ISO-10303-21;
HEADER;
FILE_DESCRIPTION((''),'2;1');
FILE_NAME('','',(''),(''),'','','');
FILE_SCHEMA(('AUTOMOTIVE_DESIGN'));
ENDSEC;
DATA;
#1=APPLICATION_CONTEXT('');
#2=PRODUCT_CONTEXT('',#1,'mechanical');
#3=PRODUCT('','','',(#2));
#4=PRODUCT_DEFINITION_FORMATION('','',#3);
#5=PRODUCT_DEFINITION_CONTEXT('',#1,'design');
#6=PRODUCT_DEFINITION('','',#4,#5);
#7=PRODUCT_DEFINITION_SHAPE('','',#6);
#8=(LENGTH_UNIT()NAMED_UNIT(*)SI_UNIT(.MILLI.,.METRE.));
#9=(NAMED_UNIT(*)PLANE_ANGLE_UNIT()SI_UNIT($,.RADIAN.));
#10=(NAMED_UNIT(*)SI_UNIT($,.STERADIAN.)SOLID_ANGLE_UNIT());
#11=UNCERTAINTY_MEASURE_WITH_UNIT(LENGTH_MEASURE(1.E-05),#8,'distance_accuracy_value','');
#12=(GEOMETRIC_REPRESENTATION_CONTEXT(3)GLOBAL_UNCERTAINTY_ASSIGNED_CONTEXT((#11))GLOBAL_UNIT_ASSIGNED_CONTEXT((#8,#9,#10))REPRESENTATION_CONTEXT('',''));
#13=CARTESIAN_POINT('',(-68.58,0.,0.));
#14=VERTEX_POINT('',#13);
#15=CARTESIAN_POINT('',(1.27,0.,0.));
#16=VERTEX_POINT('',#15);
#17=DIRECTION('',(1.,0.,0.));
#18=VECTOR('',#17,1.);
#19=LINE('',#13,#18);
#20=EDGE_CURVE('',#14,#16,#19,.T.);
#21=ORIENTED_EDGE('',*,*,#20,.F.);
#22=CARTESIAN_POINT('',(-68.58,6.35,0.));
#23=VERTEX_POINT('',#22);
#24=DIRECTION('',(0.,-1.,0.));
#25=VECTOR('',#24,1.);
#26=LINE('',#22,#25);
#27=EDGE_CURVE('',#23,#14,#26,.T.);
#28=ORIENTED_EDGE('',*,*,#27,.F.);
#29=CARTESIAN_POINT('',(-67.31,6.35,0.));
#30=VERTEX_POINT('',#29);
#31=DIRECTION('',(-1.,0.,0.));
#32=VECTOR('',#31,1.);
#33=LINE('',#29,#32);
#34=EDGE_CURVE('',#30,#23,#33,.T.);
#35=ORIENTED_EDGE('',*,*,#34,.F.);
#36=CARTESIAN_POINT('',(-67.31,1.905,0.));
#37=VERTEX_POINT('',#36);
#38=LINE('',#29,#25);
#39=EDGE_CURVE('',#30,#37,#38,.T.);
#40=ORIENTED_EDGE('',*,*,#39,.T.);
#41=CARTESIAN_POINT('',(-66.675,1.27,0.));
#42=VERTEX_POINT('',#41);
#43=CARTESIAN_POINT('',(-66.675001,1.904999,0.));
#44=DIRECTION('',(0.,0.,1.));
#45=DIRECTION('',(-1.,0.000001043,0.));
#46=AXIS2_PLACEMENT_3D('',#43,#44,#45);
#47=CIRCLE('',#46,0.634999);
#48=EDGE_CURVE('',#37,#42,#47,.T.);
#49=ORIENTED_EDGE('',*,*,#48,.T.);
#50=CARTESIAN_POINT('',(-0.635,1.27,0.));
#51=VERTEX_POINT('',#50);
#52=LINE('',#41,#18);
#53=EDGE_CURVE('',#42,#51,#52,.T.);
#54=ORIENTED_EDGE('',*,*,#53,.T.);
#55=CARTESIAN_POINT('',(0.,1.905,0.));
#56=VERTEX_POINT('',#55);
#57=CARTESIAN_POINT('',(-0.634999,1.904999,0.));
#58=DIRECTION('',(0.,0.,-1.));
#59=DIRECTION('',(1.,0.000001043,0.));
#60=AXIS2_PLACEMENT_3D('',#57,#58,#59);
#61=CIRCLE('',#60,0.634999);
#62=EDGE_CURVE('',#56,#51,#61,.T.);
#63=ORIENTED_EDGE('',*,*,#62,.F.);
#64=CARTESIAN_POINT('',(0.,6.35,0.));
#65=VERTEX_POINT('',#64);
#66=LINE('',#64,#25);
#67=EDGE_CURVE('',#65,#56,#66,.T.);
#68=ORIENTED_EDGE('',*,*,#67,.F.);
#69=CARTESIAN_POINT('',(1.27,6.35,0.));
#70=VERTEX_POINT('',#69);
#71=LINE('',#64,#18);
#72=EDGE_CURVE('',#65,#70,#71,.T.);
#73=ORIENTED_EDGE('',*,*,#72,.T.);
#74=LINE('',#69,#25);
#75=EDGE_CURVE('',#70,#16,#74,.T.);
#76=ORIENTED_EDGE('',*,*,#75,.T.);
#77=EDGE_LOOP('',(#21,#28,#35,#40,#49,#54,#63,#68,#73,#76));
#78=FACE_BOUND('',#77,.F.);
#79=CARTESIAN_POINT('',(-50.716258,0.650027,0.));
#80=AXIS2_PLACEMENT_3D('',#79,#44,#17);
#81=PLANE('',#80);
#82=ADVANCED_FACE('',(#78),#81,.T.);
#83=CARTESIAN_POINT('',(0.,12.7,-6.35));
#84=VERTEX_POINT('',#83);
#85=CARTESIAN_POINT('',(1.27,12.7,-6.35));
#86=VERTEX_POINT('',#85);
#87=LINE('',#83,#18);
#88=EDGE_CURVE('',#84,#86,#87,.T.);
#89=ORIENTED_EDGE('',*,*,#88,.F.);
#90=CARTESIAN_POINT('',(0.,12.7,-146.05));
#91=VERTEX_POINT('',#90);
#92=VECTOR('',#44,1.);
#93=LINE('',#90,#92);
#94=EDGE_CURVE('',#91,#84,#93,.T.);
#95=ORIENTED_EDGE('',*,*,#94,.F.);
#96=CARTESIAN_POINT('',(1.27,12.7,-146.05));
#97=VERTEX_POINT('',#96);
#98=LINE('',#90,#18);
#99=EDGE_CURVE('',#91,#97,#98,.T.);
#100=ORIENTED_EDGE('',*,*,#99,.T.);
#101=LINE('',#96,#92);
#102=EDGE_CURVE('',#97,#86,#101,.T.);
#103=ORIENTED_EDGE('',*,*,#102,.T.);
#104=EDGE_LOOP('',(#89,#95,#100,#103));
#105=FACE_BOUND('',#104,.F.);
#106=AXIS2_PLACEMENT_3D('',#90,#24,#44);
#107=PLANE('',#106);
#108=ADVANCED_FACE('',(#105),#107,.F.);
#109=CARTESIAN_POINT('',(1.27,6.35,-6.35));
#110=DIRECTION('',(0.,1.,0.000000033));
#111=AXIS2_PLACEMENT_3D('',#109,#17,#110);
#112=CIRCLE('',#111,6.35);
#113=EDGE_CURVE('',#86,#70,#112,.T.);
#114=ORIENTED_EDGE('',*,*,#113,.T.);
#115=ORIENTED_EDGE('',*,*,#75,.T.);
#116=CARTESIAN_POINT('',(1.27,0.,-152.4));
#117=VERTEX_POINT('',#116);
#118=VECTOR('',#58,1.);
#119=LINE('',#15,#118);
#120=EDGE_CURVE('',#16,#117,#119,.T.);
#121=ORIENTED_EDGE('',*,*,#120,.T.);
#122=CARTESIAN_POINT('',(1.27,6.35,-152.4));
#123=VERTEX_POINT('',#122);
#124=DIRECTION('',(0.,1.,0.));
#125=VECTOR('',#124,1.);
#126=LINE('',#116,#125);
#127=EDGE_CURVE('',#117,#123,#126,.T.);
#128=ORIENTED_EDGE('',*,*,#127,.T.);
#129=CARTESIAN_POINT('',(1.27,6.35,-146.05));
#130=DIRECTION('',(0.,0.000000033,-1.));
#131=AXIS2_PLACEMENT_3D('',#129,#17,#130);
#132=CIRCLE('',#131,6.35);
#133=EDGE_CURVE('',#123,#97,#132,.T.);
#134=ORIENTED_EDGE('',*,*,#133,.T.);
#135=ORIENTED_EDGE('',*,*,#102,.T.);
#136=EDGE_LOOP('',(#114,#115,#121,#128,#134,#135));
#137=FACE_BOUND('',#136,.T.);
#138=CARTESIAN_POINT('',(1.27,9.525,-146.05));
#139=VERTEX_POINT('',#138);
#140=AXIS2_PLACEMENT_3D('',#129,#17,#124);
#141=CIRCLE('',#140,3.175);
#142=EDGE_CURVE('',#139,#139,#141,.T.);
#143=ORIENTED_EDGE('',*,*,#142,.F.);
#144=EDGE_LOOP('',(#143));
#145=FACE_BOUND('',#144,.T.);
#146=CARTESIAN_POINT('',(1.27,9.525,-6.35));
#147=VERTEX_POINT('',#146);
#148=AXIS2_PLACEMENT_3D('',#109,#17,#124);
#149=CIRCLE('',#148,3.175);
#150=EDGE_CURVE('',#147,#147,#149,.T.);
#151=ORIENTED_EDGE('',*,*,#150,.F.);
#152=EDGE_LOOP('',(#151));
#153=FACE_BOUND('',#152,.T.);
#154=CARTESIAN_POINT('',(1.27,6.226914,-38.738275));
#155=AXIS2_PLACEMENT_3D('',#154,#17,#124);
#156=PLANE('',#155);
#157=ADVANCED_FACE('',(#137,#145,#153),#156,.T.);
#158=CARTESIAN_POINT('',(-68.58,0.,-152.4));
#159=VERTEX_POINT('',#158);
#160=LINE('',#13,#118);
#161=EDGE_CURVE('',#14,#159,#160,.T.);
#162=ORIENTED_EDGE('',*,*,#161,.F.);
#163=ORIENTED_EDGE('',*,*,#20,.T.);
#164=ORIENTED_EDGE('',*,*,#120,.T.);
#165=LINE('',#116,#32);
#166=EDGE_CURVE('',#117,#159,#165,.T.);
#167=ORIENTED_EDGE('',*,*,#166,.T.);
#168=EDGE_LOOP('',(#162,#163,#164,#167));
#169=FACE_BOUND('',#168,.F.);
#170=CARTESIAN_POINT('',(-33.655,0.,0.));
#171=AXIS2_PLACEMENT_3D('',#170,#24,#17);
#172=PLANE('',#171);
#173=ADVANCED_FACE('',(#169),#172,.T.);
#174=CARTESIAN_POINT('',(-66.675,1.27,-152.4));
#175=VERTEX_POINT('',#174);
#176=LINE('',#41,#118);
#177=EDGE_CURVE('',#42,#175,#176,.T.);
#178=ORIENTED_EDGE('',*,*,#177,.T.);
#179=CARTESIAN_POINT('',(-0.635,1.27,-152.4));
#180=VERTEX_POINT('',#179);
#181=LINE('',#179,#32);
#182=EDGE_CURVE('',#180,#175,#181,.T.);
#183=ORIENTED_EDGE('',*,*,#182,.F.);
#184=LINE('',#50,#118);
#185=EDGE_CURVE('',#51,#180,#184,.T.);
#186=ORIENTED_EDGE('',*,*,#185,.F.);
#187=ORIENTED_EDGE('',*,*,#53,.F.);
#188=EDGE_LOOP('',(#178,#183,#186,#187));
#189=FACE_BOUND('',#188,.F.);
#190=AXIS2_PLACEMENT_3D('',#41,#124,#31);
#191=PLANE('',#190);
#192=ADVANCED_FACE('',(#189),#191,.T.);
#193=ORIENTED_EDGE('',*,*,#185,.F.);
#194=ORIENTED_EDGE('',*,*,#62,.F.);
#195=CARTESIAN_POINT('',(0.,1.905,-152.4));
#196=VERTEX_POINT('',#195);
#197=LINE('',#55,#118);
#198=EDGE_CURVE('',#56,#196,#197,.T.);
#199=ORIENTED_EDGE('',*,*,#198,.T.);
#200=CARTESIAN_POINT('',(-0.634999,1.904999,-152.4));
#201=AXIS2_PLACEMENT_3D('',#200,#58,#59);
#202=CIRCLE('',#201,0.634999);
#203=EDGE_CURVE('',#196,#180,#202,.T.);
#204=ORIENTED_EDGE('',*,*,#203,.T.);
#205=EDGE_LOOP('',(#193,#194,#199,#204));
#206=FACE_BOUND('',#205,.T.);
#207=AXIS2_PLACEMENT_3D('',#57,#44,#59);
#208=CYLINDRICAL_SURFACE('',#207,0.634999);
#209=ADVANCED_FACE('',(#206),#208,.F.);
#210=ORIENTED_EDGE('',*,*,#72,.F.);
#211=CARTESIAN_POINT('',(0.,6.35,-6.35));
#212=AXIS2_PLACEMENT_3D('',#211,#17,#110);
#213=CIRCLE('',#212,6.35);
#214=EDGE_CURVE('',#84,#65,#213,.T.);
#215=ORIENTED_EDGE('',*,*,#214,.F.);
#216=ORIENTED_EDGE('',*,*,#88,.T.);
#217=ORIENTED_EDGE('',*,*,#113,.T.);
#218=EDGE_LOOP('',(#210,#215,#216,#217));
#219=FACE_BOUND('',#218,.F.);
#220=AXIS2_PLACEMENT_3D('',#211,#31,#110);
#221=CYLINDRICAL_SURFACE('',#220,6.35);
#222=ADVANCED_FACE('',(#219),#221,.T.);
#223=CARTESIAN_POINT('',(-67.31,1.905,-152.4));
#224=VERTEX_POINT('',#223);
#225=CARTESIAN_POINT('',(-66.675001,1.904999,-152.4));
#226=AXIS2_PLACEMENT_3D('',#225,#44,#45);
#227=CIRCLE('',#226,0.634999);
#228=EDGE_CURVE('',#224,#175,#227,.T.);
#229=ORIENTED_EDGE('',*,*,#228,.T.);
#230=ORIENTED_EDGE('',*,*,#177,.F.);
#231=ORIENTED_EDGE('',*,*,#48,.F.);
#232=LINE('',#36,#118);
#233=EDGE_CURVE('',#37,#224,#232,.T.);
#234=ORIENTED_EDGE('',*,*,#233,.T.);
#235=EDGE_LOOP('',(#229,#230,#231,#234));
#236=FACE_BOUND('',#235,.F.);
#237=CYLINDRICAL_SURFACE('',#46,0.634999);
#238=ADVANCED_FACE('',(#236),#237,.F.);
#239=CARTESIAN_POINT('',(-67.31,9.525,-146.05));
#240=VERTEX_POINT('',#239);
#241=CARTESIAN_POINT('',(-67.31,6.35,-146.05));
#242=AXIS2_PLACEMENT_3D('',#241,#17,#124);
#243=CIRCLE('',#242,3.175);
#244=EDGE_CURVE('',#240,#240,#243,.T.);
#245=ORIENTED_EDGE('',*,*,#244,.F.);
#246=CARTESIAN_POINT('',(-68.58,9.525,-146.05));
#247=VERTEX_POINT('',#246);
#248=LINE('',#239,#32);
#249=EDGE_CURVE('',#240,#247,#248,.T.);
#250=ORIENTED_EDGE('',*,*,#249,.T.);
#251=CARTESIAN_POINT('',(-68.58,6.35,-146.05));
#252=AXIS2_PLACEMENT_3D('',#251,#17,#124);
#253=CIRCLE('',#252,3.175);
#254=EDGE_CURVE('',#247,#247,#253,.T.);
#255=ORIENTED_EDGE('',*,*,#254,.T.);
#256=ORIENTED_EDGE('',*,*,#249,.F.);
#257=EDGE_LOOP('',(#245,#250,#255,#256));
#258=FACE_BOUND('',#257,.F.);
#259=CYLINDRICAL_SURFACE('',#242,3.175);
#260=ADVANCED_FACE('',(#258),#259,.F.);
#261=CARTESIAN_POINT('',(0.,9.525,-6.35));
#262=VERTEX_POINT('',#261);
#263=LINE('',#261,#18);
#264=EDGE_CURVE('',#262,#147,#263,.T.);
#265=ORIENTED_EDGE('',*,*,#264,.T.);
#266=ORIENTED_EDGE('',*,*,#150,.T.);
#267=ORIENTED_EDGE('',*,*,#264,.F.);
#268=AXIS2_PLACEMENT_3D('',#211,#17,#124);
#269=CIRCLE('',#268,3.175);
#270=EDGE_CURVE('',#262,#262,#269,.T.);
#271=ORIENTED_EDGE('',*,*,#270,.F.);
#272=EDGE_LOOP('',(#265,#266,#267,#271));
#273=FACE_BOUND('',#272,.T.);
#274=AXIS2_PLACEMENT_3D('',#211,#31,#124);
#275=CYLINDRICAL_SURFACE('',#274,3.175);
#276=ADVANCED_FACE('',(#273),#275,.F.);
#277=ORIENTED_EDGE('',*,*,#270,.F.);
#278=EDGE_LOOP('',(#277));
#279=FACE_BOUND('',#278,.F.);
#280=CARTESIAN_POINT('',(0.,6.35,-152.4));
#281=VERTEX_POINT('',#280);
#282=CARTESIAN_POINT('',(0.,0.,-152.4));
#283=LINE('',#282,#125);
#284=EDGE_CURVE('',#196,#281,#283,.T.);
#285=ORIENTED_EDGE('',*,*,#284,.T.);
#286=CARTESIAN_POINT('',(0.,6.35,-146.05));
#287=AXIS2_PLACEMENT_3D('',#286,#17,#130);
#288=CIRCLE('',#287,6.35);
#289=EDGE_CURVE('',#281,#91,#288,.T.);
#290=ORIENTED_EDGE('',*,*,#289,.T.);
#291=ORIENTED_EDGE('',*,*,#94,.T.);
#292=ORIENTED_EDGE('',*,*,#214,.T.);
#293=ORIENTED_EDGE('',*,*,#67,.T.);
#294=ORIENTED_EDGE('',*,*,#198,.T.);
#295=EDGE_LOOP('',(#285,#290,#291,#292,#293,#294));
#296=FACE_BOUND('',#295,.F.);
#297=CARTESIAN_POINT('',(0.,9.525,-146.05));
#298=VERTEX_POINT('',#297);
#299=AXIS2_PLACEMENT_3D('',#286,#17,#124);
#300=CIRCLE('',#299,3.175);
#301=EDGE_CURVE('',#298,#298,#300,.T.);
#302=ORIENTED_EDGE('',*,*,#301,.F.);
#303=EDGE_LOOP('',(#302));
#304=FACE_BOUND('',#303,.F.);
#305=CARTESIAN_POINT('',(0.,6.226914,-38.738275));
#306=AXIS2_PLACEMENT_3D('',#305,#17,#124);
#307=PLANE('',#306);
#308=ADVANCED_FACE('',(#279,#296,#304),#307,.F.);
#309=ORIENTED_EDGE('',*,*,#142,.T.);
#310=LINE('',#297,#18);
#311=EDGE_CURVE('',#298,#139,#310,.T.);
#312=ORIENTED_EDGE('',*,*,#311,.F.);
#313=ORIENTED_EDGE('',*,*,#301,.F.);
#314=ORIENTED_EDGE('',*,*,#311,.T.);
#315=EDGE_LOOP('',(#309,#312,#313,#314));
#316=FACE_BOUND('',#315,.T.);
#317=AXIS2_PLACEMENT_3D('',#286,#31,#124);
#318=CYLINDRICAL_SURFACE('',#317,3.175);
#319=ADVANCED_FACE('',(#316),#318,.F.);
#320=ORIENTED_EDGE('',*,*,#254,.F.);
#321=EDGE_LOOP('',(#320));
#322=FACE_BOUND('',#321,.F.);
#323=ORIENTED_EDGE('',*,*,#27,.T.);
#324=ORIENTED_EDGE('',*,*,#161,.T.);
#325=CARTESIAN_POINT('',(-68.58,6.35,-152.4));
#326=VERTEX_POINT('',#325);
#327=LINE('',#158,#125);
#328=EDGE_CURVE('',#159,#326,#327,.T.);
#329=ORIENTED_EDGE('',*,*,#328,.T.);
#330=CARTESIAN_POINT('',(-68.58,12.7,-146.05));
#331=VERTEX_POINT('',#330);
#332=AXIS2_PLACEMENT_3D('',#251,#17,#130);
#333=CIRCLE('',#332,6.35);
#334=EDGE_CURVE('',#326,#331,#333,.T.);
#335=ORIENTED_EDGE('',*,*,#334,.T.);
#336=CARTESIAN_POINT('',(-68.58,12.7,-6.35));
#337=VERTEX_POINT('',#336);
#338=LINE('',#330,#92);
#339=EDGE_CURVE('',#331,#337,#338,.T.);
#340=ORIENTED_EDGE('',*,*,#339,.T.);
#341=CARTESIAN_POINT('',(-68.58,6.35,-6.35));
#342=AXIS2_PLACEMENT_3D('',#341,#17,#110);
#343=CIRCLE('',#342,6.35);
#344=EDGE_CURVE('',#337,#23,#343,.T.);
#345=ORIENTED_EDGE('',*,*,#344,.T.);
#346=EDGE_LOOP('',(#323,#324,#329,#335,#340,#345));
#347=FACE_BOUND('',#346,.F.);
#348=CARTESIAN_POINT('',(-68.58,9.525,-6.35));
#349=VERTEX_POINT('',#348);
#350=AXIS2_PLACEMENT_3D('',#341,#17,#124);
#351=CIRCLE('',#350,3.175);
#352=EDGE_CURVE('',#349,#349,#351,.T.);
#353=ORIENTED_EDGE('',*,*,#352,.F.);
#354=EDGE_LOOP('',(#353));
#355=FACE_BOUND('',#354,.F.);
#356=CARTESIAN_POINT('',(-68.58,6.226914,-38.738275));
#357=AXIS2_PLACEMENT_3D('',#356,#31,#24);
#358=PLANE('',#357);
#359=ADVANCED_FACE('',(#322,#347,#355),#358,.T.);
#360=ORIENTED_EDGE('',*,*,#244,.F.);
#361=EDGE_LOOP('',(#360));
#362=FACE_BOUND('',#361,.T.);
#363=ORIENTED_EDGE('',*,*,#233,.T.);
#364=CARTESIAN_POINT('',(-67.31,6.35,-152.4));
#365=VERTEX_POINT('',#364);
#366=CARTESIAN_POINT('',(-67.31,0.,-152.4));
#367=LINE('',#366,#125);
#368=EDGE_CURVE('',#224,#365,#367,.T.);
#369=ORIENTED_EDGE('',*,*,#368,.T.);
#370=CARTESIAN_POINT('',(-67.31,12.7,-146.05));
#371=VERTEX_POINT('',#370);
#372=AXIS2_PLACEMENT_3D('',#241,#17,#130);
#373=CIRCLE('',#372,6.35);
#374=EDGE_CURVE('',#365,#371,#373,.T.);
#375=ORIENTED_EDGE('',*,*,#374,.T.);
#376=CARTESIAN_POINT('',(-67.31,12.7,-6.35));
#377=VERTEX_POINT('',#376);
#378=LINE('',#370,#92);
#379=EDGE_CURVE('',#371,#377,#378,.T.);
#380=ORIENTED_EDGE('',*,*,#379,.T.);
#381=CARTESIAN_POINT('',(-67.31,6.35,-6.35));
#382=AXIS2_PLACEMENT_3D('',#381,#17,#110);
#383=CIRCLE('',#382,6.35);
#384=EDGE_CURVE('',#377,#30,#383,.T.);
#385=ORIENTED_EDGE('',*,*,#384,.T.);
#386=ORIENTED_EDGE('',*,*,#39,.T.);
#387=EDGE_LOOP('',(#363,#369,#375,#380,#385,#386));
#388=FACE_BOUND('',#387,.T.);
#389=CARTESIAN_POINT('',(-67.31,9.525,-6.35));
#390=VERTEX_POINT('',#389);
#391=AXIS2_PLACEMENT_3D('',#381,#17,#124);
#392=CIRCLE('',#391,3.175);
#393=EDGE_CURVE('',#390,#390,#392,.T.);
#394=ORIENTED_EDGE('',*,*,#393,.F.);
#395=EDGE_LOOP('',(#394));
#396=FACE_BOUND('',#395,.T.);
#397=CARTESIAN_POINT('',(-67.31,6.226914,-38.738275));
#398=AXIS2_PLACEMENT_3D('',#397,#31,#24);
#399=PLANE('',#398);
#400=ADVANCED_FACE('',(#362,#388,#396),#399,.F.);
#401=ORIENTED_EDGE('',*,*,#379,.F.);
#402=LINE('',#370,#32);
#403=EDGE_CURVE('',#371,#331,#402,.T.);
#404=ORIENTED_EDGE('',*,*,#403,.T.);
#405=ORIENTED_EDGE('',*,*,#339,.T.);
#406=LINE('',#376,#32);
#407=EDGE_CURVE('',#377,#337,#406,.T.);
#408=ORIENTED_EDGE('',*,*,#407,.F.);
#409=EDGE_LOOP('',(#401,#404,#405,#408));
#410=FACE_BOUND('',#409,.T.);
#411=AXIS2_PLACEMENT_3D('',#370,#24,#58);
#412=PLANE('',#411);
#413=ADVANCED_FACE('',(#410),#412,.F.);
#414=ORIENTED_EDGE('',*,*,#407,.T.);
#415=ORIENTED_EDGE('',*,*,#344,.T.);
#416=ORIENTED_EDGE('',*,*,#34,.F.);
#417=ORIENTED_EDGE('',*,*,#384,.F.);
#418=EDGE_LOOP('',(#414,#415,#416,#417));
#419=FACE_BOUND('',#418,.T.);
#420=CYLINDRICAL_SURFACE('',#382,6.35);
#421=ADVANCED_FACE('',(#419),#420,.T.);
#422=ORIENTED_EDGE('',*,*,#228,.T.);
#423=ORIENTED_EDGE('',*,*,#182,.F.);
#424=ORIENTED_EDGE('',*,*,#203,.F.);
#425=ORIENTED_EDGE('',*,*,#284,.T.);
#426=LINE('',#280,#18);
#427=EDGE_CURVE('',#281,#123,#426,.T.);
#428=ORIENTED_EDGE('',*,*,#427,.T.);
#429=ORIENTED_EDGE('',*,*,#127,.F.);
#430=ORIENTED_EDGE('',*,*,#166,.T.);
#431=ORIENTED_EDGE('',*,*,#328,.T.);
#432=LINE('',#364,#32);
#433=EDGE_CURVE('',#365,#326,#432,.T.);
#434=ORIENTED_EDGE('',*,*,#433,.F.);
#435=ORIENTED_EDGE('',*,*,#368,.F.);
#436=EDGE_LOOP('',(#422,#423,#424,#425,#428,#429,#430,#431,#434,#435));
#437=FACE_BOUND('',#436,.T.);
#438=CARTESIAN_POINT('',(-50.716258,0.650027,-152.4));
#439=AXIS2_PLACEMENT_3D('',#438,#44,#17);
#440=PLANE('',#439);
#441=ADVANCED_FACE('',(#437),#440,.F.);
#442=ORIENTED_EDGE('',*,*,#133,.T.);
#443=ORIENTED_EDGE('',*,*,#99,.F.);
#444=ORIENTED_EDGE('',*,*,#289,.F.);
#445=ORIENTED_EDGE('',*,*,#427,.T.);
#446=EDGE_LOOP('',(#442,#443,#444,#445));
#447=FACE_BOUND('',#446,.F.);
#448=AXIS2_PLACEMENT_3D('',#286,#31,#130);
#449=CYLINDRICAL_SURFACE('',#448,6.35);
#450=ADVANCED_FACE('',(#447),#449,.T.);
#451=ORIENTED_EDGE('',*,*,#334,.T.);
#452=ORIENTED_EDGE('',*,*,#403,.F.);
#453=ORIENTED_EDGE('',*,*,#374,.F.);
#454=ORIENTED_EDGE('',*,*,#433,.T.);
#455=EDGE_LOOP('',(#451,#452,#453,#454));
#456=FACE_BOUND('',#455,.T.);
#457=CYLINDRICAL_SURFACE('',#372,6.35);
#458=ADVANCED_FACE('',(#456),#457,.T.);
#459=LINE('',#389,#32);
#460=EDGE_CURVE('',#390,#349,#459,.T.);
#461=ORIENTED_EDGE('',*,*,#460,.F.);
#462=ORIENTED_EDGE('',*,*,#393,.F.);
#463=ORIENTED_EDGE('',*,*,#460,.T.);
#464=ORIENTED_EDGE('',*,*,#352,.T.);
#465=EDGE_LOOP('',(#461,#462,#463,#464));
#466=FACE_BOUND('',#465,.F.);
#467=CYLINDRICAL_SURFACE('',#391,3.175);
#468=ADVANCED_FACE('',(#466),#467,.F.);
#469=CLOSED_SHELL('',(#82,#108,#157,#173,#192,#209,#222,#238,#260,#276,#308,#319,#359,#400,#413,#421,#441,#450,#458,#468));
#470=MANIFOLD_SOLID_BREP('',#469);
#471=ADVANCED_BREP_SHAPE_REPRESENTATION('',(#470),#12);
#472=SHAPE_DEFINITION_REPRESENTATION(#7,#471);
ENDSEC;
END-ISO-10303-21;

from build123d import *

# Parameters (mm, degrees)
F0_R     = 3.175
F1_DEPTH = 1.27
F3_DEPTH = 152.4


with BuildPart() as f1:
    # F0 (on Right) → F1 (new body)
    with BuildSketch(Plane.YZ):
        with BuildLine():
            Line((6.35, 0), (0, 0))
            Line((0, 0), (0, -76.2))
            Line((0, -76.2), (12.7, -76.2))
            Line((12.7, -76.2), (12.7, -6.35))
            ThreePointArc((12.7, -6.35), (10.840128, -1.859872), (6.35, 0))
        make_face()
        with Locations((6.35, -6.35)):
            Circle(F0_R, mode=Mode.SUBTRACT)
        with BuildLine():
            Line((12.7, -76.2), (0, -76.2))
            Line((0, -76.2), (0, -152.4))
            Line((0, -152.4), (6.35, -152.4))
            ThreePointArc((6.35, -152.4), (10.840128, -150.540128), (12.7, -146.05))
            Line((12.7, -146.05), (12.7, -76.2))
        make_face()
        with Locations((6.35, -146.05)):
            Circle(F0_R, mode=Mode.SUBTRACT)
    extrude(amount=F1_DEPTH)

    # F2 (on face) → F3 (join, through all)
    with BuildSketch(Plane.XY):
        with BuildLine():
            ThreePointArc((0, 1.905), (-0.185987, 1.455987), (-0.635, 1.27))
            Line((-0.635, 1.27), (-33.655, 1.27))
            Line((-33.655, 1.27), (-33.655, 0))
            Line((-33.655, 0), (0, 0))
            Line((0, 0), (0, 1.905))
        make_face()
    extrude(amount=-F3_DEPTH)

    # F4: F1 across face


with BuildPart() as f1_1:
    add(f1.part)
    add(f1.part.mirror(Plane(origin=(-33.655, 0.635, -76.2), x_dir=(0, -1, 0), z_dir=(-1, 0, 0))))


solid = f1_1.part
